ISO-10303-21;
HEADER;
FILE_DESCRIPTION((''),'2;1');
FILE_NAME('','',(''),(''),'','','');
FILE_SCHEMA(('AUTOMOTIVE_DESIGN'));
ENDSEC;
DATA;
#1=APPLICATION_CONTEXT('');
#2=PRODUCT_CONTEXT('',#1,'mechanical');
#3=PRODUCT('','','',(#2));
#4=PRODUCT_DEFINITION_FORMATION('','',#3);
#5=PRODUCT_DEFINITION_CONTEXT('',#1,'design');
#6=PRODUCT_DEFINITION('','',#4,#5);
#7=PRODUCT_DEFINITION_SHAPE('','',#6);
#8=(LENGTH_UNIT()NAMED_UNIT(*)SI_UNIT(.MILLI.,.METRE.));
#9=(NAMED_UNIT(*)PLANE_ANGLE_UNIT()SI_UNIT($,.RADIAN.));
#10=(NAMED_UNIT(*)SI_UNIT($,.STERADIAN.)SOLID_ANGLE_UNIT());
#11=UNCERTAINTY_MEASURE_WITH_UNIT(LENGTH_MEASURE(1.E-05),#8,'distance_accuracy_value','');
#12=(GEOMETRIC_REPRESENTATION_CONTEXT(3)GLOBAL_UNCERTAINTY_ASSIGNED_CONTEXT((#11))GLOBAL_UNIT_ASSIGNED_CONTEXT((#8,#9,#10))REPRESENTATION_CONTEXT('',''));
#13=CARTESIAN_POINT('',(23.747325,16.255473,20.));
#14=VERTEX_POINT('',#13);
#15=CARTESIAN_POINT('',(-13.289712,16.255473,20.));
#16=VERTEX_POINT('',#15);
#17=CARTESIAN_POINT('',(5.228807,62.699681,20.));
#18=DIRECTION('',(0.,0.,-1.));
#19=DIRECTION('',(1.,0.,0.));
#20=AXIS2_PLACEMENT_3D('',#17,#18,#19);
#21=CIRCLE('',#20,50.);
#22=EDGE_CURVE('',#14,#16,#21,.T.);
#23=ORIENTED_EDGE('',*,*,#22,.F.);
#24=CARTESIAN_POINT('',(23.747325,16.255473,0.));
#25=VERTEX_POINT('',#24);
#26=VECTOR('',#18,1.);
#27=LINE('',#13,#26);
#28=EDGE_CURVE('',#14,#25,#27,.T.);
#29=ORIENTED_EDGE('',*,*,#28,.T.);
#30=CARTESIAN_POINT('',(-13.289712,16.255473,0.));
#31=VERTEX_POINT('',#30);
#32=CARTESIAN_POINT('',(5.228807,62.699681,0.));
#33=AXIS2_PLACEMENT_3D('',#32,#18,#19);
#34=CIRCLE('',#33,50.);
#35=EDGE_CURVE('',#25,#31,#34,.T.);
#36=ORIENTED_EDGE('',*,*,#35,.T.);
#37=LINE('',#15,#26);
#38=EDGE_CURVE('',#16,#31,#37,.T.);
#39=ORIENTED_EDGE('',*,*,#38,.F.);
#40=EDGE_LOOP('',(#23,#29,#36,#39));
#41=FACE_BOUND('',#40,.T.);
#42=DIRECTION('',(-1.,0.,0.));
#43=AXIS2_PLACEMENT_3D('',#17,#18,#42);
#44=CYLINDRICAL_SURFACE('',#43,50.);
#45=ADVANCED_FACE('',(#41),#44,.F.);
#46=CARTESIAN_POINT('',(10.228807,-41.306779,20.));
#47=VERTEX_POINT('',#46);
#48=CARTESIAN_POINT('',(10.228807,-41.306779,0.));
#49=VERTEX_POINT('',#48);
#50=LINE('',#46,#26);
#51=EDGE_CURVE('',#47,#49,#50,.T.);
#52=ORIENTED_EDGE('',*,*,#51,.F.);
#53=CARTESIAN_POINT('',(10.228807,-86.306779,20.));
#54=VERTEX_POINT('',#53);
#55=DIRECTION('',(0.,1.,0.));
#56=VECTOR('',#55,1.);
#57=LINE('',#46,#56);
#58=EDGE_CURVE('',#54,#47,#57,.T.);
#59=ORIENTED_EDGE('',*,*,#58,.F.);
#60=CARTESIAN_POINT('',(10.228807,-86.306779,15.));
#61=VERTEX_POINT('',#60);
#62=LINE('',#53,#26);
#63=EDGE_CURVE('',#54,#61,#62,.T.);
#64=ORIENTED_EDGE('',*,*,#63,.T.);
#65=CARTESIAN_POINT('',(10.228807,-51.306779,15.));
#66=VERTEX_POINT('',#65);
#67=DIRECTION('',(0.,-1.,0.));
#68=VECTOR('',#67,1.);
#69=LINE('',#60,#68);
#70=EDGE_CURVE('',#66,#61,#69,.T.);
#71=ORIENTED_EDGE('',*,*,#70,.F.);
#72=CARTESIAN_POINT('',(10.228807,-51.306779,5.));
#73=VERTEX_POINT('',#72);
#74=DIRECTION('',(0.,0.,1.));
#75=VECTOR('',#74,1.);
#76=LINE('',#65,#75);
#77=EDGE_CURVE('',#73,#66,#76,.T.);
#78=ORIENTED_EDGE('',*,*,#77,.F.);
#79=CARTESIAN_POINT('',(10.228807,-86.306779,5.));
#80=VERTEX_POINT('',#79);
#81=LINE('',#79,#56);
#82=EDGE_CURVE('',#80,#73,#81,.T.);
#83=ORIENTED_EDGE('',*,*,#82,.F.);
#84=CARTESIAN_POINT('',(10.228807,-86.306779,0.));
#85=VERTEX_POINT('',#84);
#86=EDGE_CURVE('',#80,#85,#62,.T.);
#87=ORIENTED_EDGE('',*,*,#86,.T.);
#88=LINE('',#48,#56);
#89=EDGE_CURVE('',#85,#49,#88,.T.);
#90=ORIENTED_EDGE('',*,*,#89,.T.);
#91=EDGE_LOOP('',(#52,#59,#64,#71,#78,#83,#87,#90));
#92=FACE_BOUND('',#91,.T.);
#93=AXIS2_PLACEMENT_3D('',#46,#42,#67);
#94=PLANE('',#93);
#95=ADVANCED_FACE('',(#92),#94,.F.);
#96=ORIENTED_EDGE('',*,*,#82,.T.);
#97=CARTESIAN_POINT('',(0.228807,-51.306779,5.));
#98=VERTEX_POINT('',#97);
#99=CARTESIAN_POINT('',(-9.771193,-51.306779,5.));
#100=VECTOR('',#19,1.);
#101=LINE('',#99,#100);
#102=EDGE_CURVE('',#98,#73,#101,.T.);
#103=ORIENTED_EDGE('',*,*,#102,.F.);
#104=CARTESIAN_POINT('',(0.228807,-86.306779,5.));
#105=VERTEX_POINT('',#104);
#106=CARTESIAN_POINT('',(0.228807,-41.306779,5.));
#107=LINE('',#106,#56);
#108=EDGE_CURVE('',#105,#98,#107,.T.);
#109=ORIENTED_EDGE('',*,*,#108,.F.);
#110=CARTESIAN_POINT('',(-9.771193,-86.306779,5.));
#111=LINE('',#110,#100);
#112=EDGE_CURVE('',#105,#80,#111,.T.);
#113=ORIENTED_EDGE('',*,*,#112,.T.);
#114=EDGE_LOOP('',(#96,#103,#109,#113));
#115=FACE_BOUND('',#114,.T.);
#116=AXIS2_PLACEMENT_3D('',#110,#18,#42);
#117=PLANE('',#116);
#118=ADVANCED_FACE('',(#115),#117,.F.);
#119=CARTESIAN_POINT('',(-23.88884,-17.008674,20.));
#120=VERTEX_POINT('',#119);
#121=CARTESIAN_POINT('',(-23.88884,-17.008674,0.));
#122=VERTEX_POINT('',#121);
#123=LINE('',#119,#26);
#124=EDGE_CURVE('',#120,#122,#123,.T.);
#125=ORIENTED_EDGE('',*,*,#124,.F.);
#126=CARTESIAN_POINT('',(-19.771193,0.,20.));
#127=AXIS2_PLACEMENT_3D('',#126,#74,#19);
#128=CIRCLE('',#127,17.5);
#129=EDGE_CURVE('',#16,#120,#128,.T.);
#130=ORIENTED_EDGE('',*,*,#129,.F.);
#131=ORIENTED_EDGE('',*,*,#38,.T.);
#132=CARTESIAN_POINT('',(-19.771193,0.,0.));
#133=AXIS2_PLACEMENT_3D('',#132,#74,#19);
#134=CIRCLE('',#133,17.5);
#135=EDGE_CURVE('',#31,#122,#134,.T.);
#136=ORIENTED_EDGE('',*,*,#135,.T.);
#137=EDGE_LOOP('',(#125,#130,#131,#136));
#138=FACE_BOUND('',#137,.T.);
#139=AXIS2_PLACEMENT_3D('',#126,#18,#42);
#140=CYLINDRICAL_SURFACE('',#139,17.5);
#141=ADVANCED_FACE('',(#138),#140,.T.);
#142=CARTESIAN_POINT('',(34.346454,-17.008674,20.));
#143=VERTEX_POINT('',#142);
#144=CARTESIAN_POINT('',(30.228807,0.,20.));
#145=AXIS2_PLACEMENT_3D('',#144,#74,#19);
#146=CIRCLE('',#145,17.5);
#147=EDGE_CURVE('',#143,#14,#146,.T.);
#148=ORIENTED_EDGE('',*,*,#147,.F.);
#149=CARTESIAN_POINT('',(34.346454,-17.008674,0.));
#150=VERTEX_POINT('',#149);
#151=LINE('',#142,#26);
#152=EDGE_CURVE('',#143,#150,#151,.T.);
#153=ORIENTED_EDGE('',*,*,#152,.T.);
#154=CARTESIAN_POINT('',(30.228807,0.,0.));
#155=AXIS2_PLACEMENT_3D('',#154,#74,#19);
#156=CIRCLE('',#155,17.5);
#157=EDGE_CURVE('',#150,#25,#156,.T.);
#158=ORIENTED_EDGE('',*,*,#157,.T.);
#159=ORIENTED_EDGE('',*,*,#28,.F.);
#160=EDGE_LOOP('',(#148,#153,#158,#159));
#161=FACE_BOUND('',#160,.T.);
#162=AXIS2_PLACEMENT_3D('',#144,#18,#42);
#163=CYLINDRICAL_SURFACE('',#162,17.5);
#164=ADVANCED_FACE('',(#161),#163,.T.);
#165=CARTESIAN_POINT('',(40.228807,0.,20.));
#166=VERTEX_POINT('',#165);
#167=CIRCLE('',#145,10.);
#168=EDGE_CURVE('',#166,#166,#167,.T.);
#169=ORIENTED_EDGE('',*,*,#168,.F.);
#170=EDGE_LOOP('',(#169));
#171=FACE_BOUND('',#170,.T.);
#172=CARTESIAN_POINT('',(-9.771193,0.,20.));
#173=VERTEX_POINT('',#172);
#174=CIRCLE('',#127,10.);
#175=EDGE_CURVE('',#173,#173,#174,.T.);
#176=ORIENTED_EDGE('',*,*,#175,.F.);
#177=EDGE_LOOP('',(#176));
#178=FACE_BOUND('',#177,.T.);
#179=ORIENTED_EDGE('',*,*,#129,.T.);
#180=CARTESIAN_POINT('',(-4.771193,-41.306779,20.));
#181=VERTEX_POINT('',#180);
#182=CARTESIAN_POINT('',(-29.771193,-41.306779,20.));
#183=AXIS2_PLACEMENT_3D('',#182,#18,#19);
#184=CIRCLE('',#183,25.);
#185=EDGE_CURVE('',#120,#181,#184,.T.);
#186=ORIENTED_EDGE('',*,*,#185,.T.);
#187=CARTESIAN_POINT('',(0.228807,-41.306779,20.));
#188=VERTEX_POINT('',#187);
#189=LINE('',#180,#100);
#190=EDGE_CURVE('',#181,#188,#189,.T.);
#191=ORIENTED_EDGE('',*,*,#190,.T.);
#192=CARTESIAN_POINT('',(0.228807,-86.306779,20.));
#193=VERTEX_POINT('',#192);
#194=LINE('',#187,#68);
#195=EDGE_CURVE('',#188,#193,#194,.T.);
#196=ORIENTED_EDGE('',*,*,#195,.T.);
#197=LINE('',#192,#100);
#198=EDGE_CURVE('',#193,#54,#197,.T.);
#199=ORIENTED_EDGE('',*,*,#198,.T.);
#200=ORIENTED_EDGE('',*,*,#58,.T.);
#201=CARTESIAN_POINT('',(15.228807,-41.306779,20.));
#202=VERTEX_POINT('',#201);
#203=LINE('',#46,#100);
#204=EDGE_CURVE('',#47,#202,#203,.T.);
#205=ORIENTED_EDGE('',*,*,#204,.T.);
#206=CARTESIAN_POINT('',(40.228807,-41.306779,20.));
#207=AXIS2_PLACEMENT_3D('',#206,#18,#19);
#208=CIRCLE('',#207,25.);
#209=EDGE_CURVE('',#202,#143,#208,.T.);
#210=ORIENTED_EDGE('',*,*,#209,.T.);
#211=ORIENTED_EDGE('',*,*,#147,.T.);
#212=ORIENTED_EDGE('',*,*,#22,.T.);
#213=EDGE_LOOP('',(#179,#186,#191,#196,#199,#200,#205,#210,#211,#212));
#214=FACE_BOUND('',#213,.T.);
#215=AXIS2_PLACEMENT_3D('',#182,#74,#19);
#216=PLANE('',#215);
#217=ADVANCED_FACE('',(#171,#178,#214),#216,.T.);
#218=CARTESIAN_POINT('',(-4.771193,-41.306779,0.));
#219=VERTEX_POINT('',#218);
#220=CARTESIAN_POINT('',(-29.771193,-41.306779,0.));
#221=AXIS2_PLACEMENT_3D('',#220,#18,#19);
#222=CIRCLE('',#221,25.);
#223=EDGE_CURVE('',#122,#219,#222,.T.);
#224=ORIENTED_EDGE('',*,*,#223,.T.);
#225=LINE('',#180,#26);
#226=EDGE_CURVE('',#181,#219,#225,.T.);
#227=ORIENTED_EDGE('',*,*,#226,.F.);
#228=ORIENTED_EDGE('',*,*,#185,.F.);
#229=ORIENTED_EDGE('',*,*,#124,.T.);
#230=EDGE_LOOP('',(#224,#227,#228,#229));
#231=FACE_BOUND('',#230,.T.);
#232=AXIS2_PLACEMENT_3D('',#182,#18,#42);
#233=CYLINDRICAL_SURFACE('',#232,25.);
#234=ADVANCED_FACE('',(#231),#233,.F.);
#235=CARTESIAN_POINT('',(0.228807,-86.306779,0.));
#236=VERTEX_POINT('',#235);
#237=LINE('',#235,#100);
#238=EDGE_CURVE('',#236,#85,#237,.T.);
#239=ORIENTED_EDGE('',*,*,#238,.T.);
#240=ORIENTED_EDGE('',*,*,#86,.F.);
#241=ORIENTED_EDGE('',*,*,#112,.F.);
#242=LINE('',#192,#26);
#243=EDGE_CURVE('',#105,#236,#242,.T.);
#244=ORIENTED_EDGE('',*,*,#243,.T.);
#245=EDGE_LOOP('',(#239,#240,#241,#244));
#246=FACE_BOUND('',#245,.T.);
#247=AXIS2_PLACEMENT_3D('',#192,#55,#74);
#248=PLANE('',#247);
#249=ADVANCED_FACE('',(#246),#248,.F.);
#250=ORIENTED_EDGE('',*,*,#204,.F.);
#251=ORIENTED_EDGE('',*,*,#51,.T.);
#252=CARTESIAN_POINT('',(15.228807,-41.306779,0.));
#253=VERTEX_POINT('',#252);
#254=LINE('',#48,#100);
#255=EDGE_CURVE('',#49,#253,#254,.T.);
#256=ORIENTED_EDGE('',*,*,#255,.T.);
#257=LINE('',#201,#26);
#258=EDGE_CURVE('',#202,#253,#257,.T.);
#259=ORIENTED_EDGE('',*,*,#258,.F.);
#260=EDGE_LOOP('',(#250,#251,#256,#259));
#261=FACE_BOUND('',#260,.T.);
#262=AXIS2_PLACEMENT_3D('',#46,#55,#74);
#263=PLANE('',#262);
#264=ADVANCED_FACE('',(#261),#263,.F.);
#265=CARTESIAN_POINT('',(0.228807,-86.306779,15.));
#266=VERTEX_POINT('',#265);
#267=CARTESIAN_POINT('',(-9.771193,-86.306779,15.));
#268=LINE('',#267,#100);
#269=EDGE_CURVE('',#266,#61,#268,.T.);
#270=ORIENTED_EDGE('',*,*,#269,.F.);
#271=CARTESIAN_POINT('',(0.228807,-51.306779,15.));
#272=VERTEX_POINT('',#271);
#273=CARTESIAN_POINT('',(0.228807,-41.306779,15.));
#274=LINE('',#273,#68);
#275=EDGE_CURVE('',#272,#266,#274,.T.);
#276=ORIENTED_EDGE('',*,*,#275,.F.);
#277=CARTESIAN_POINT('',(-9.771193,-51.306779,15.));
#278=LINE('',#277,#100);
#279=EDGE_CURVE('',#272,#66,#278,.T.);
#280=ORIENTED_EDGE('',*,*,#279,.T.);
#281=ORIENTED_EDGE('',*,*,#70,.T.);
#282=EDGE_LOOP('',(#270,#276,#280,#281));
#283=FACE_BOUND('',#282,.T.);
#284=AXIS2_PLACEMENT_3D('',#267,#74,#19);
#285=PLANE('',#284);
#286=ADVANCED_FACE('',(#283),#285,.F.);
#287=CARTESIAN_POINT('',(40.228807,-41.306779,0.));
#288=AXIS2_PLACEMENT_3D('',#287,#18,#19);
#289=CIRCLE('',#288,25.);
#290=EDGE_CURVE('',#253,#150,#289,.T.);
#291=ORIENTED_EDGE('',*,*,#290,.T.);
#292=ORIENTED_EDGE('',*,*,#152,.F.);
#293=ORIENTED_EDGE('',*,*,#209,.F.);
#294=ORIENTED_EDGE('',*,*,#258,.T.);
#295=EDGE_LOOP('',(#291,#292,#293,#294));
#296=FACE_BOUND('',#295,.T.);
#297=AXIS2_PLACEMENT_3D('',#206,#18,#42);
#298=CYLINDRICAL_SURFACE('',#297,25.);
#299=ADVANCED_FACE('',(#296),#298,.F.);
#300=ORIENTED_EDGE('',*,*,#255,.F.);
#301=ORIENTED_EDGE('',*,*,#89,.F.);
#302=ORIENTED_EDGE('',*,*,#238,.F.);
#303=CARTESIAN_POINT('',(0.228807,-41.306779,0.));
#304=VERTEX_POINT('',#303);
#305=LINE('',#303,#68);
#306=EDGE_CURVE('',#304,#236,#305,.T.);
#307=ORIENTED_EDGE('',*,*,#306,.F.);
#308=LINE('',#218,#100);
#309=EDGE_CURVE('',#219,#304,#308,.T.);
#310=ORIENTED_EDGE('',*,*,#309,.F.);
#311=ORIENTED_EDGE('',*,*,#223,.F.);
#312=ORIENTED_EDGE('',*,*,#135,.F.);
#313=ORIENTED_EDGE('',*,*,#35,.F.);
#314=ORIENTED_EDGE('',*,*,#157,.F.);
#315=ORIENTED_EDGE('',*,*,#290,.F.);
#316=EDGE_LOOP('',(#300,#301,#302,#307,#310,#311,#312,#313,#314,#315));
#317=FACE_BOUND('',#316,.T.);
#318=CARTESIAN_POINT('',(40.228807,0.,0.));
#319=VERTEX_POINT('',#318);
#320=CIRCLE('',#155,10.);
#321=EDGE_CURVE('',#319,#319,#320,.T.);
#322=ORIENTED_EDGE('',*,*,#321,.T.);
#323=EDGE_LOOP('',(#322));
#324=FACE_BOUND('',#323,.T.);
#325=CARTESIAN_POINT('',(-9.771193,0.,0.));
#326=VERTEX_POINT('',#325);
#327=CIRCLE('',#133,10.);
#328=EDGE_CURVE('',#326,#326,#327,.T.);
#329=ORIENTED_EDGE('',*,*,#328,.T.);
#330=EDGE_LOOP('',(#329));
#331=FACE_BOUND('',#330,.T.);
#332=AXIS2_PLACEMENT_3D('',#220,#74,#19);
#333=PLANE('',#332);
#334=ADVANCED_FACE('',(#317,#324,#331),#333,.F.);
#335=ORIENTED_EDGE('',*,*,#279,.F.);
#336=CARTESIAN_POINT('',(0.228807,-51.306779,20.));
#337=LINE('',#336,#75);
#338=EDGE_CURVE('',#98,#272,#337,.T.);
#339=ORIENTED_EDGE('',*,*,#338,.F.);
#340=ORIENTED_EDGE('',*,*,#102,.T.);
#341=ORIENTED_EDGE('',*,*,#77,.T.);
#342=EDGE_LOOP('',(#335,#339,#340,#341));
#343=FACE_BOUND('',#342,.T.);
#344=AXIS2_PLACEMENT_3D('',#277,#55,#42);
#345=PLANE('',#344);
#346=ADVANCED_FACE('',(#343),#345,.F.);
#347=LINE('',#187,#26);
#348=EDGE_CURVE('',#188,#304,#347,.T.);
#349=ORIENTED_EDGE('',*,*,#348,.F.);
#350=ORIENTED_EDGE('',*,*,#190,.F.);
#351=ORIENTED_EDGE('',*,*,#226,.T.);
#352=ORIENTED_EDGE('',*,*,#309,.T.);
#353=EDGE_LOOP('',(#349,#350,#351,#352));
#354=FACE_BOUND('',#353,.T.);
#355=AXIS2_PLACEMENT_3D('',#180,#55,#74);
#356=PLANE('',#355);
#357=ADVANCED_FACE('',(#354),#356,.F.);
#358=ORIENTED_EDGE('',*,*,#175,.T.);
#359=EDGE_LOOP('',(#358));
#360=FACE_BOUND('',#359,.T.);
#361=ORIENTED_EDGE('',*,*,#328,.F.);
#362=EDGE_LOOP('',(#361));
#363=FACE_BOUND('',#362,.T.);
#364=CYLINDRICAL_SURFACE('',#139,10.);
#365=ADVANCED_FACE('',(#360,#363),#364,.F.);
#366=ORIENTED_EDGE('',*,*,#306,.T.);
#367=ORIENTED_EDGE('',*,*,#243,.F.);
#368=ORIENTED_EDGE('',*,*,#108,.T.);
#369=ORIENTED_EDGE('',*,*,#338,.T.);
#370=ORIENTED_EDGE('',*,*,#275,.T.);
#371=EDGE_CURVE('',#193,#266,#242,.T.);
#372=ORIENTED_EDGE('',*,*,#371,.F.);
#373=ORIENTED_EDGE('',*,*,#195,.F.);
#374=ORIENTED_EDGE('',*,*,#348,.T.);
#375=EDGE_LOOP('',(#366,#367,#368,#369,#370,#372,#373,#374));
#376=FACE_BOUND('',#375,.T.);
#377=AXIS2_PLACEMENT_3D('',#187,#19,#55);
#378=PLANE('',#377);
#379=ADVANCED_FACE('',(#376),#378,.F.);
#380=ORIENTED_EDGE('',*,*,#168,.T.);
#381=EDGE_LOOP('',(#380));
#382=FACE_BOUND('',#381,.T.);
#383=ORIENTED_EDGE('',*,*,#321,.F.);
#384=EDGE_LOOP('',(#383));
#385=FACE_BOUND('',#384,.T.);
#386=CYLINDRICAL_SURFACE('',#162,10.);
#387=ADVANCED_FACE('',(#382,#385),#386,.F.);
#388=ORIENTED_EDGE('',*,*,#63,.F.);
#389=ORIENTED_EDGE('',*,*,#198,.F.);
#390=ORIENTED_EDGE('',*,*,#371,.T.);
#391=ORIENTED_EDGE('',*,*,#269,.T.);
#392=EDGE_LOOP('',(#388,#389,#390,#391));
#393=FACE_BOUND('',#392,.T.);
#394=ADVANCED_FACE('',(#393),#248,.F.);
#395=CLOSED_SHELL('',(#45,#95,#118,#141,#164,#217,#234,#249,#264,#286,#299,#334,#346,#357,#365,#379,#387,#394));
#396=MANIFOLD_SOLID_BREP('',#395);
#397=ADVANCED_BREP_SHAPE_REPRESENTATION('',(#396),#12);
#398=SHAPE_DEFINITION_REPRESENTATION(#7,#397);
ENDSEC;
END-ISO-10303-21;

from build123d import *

# Parameters (mm, degrees)
SKETCH1_R           = 10
BOSS_EXTRUDE1_DEPTH = 20
SKETCH2_W           = 10
SKETCH2_H           = 35
CUT_EXTRUDE1_DEPTH  = 20


with BuildPart() as part:
    # Sketch1 → Boss-Extrude1 (new body)
    with BuildSketch(Plane.XY):
        with BuildLine():
            Line((-4.771193235, -41.306779105), (0.228806765, -41.306779105))
            Line((0.228806765, -41.306779105), (0.228806765, -86.306779105))
            Line((0.228806765, -86.306779105), (10.228806765, -86.306779105))
            Line((10.228806765, -86.306779105), (10.228806765, -41.306779105))
            Line((10.228806765, -41.306779105), (15.228806765, -41.306779105))
            ThreePointArc((15.228806765, -41.306779105), (20.581175565, -25.848105545), (34.346453824, -17.008673749))
            ThreePointArc((34.346453824, -17.008673749), (46.902822198, 5.31292851), (23.747325283, 16.255472857))
            ThreePointArc((23.747325283, 16.255472857), (5.228806765, 12.69968102), (-13.289711754, 16.255472857))
            ThreePointArc((-13.289711754, 16.255472857), (-36.445208668, 5.31292851), (-23.888840294, -17.008673749))
            ThreePointArc((-23.888840294, -17.008673749), (-10.123562035, -25.848105545), (-4.771193235, -41.306779105))
        make_face()
        with Locations((-19.771193235, 0)):
            Circle(SKETCH1_R, mode=Mode.SUBTRACT)
        with Locations((30.228806765, 0)):
            Circle(SKETCH1_R, mode=Mode.SUBTRACT)
    extrude(amount=BOSS_EXTRUDE1_DEPTH)

    # Sketch2 → Cut-Extrude1 (cut)
    with BuildSketch(Plane(origin=(10.228806765, 0, 0), x_dir=(0, 0, -1), z_dir=(1, 0, 0))):
        with Locations((-10, -68.806779105)):
            Rectangle(SKETCH2_W, SKETCH2_H)
    extrude(amount=-CUT_EXTRUDE1_DEPTH, mode=Mode.SUBTRACT)


solid = part.part
